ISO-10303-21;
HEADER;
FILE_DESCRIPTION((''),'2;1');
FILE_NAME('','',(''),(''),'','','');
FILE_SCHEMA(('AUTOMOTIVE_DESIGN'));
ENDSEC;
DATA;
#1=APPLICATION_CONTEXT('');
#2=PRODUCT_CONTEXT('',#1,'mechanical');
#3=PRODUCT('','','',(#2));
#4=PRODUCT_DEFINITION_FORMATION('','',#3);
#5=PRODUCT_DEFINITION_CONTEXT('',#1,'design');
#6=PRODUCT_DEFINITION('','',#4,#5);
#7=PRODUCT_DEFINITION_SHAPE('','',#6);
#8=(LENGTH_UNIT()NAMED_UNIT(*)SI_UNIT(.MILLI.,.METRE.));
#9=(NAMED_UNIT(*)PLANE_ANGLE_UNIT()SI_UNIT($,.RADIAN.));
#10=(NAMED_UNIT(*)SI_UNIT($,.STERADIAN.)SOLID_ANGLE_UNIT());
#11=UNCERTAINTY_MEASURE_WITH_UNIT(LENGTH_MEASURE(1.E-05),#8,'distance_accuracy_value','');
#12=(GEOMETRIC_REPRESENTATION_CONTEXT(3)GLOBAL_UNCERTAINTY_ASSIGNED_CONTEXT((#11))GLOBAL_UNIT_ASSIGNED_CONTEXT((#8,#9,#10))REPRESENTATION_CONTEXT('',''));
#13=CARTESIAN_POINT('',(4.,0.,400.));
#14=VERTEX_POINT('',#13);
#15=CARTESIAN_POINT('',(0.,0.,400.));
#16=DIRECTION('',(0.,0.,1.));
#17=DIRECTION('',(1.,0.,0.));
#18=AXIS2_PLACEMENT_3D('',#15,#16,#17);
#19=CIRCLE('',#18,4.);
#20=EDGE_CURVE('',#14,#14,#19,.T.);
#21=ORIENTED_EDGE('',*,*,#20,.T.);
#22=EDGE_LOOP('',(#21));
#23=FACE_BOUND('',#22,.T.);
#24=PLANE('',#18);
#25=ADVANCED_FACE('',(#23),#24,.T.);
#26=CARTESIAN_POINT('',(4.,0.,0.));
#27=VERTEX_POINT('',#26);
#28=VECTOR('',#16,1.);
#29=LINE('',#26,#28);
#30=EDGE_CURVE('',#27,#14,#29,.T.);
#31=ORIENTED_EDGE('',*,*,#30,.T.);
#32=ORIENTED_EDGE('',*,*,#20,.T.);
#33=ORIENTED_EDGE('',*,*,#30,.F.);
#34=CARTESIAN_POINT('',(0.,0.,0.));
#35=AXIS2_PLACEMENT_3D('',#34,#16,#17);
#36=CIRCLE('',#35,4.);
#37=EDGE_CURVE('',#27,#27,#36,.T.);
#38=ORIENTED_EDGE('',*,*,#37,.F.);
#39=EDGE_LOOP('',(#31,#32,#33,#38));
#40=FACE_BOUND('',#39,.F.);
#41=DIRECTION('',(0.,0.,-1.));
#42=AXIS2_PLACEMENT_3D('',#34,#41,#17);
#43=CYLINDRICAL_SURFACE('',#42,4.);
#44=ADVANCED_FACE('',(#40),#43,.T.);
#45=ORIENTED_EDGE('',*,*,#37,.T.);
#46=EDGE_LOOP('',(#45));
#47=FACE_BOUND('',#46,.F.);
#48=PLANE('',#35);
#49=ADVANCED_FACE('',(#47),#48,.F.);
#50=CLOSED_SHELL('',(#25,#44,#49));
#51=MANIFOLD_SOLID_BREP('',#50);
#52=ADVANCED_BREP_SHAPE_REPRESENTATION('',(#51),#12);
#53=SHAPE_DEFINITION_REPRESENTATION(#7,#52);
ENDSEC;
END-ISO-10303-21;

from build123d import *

# Parameters (mm, degrees)
SKETCH1_R      = 4
ROD_BODY_DEPTH = 400


with BuildPart() as part:
    # Sketch1 → rod body (new body)
    with BuildSketch(Plane.XY):
        Circle(SKETCH1_R)
    extrude(amount=ROD_BODY_DEPTH)


solid = part.part
